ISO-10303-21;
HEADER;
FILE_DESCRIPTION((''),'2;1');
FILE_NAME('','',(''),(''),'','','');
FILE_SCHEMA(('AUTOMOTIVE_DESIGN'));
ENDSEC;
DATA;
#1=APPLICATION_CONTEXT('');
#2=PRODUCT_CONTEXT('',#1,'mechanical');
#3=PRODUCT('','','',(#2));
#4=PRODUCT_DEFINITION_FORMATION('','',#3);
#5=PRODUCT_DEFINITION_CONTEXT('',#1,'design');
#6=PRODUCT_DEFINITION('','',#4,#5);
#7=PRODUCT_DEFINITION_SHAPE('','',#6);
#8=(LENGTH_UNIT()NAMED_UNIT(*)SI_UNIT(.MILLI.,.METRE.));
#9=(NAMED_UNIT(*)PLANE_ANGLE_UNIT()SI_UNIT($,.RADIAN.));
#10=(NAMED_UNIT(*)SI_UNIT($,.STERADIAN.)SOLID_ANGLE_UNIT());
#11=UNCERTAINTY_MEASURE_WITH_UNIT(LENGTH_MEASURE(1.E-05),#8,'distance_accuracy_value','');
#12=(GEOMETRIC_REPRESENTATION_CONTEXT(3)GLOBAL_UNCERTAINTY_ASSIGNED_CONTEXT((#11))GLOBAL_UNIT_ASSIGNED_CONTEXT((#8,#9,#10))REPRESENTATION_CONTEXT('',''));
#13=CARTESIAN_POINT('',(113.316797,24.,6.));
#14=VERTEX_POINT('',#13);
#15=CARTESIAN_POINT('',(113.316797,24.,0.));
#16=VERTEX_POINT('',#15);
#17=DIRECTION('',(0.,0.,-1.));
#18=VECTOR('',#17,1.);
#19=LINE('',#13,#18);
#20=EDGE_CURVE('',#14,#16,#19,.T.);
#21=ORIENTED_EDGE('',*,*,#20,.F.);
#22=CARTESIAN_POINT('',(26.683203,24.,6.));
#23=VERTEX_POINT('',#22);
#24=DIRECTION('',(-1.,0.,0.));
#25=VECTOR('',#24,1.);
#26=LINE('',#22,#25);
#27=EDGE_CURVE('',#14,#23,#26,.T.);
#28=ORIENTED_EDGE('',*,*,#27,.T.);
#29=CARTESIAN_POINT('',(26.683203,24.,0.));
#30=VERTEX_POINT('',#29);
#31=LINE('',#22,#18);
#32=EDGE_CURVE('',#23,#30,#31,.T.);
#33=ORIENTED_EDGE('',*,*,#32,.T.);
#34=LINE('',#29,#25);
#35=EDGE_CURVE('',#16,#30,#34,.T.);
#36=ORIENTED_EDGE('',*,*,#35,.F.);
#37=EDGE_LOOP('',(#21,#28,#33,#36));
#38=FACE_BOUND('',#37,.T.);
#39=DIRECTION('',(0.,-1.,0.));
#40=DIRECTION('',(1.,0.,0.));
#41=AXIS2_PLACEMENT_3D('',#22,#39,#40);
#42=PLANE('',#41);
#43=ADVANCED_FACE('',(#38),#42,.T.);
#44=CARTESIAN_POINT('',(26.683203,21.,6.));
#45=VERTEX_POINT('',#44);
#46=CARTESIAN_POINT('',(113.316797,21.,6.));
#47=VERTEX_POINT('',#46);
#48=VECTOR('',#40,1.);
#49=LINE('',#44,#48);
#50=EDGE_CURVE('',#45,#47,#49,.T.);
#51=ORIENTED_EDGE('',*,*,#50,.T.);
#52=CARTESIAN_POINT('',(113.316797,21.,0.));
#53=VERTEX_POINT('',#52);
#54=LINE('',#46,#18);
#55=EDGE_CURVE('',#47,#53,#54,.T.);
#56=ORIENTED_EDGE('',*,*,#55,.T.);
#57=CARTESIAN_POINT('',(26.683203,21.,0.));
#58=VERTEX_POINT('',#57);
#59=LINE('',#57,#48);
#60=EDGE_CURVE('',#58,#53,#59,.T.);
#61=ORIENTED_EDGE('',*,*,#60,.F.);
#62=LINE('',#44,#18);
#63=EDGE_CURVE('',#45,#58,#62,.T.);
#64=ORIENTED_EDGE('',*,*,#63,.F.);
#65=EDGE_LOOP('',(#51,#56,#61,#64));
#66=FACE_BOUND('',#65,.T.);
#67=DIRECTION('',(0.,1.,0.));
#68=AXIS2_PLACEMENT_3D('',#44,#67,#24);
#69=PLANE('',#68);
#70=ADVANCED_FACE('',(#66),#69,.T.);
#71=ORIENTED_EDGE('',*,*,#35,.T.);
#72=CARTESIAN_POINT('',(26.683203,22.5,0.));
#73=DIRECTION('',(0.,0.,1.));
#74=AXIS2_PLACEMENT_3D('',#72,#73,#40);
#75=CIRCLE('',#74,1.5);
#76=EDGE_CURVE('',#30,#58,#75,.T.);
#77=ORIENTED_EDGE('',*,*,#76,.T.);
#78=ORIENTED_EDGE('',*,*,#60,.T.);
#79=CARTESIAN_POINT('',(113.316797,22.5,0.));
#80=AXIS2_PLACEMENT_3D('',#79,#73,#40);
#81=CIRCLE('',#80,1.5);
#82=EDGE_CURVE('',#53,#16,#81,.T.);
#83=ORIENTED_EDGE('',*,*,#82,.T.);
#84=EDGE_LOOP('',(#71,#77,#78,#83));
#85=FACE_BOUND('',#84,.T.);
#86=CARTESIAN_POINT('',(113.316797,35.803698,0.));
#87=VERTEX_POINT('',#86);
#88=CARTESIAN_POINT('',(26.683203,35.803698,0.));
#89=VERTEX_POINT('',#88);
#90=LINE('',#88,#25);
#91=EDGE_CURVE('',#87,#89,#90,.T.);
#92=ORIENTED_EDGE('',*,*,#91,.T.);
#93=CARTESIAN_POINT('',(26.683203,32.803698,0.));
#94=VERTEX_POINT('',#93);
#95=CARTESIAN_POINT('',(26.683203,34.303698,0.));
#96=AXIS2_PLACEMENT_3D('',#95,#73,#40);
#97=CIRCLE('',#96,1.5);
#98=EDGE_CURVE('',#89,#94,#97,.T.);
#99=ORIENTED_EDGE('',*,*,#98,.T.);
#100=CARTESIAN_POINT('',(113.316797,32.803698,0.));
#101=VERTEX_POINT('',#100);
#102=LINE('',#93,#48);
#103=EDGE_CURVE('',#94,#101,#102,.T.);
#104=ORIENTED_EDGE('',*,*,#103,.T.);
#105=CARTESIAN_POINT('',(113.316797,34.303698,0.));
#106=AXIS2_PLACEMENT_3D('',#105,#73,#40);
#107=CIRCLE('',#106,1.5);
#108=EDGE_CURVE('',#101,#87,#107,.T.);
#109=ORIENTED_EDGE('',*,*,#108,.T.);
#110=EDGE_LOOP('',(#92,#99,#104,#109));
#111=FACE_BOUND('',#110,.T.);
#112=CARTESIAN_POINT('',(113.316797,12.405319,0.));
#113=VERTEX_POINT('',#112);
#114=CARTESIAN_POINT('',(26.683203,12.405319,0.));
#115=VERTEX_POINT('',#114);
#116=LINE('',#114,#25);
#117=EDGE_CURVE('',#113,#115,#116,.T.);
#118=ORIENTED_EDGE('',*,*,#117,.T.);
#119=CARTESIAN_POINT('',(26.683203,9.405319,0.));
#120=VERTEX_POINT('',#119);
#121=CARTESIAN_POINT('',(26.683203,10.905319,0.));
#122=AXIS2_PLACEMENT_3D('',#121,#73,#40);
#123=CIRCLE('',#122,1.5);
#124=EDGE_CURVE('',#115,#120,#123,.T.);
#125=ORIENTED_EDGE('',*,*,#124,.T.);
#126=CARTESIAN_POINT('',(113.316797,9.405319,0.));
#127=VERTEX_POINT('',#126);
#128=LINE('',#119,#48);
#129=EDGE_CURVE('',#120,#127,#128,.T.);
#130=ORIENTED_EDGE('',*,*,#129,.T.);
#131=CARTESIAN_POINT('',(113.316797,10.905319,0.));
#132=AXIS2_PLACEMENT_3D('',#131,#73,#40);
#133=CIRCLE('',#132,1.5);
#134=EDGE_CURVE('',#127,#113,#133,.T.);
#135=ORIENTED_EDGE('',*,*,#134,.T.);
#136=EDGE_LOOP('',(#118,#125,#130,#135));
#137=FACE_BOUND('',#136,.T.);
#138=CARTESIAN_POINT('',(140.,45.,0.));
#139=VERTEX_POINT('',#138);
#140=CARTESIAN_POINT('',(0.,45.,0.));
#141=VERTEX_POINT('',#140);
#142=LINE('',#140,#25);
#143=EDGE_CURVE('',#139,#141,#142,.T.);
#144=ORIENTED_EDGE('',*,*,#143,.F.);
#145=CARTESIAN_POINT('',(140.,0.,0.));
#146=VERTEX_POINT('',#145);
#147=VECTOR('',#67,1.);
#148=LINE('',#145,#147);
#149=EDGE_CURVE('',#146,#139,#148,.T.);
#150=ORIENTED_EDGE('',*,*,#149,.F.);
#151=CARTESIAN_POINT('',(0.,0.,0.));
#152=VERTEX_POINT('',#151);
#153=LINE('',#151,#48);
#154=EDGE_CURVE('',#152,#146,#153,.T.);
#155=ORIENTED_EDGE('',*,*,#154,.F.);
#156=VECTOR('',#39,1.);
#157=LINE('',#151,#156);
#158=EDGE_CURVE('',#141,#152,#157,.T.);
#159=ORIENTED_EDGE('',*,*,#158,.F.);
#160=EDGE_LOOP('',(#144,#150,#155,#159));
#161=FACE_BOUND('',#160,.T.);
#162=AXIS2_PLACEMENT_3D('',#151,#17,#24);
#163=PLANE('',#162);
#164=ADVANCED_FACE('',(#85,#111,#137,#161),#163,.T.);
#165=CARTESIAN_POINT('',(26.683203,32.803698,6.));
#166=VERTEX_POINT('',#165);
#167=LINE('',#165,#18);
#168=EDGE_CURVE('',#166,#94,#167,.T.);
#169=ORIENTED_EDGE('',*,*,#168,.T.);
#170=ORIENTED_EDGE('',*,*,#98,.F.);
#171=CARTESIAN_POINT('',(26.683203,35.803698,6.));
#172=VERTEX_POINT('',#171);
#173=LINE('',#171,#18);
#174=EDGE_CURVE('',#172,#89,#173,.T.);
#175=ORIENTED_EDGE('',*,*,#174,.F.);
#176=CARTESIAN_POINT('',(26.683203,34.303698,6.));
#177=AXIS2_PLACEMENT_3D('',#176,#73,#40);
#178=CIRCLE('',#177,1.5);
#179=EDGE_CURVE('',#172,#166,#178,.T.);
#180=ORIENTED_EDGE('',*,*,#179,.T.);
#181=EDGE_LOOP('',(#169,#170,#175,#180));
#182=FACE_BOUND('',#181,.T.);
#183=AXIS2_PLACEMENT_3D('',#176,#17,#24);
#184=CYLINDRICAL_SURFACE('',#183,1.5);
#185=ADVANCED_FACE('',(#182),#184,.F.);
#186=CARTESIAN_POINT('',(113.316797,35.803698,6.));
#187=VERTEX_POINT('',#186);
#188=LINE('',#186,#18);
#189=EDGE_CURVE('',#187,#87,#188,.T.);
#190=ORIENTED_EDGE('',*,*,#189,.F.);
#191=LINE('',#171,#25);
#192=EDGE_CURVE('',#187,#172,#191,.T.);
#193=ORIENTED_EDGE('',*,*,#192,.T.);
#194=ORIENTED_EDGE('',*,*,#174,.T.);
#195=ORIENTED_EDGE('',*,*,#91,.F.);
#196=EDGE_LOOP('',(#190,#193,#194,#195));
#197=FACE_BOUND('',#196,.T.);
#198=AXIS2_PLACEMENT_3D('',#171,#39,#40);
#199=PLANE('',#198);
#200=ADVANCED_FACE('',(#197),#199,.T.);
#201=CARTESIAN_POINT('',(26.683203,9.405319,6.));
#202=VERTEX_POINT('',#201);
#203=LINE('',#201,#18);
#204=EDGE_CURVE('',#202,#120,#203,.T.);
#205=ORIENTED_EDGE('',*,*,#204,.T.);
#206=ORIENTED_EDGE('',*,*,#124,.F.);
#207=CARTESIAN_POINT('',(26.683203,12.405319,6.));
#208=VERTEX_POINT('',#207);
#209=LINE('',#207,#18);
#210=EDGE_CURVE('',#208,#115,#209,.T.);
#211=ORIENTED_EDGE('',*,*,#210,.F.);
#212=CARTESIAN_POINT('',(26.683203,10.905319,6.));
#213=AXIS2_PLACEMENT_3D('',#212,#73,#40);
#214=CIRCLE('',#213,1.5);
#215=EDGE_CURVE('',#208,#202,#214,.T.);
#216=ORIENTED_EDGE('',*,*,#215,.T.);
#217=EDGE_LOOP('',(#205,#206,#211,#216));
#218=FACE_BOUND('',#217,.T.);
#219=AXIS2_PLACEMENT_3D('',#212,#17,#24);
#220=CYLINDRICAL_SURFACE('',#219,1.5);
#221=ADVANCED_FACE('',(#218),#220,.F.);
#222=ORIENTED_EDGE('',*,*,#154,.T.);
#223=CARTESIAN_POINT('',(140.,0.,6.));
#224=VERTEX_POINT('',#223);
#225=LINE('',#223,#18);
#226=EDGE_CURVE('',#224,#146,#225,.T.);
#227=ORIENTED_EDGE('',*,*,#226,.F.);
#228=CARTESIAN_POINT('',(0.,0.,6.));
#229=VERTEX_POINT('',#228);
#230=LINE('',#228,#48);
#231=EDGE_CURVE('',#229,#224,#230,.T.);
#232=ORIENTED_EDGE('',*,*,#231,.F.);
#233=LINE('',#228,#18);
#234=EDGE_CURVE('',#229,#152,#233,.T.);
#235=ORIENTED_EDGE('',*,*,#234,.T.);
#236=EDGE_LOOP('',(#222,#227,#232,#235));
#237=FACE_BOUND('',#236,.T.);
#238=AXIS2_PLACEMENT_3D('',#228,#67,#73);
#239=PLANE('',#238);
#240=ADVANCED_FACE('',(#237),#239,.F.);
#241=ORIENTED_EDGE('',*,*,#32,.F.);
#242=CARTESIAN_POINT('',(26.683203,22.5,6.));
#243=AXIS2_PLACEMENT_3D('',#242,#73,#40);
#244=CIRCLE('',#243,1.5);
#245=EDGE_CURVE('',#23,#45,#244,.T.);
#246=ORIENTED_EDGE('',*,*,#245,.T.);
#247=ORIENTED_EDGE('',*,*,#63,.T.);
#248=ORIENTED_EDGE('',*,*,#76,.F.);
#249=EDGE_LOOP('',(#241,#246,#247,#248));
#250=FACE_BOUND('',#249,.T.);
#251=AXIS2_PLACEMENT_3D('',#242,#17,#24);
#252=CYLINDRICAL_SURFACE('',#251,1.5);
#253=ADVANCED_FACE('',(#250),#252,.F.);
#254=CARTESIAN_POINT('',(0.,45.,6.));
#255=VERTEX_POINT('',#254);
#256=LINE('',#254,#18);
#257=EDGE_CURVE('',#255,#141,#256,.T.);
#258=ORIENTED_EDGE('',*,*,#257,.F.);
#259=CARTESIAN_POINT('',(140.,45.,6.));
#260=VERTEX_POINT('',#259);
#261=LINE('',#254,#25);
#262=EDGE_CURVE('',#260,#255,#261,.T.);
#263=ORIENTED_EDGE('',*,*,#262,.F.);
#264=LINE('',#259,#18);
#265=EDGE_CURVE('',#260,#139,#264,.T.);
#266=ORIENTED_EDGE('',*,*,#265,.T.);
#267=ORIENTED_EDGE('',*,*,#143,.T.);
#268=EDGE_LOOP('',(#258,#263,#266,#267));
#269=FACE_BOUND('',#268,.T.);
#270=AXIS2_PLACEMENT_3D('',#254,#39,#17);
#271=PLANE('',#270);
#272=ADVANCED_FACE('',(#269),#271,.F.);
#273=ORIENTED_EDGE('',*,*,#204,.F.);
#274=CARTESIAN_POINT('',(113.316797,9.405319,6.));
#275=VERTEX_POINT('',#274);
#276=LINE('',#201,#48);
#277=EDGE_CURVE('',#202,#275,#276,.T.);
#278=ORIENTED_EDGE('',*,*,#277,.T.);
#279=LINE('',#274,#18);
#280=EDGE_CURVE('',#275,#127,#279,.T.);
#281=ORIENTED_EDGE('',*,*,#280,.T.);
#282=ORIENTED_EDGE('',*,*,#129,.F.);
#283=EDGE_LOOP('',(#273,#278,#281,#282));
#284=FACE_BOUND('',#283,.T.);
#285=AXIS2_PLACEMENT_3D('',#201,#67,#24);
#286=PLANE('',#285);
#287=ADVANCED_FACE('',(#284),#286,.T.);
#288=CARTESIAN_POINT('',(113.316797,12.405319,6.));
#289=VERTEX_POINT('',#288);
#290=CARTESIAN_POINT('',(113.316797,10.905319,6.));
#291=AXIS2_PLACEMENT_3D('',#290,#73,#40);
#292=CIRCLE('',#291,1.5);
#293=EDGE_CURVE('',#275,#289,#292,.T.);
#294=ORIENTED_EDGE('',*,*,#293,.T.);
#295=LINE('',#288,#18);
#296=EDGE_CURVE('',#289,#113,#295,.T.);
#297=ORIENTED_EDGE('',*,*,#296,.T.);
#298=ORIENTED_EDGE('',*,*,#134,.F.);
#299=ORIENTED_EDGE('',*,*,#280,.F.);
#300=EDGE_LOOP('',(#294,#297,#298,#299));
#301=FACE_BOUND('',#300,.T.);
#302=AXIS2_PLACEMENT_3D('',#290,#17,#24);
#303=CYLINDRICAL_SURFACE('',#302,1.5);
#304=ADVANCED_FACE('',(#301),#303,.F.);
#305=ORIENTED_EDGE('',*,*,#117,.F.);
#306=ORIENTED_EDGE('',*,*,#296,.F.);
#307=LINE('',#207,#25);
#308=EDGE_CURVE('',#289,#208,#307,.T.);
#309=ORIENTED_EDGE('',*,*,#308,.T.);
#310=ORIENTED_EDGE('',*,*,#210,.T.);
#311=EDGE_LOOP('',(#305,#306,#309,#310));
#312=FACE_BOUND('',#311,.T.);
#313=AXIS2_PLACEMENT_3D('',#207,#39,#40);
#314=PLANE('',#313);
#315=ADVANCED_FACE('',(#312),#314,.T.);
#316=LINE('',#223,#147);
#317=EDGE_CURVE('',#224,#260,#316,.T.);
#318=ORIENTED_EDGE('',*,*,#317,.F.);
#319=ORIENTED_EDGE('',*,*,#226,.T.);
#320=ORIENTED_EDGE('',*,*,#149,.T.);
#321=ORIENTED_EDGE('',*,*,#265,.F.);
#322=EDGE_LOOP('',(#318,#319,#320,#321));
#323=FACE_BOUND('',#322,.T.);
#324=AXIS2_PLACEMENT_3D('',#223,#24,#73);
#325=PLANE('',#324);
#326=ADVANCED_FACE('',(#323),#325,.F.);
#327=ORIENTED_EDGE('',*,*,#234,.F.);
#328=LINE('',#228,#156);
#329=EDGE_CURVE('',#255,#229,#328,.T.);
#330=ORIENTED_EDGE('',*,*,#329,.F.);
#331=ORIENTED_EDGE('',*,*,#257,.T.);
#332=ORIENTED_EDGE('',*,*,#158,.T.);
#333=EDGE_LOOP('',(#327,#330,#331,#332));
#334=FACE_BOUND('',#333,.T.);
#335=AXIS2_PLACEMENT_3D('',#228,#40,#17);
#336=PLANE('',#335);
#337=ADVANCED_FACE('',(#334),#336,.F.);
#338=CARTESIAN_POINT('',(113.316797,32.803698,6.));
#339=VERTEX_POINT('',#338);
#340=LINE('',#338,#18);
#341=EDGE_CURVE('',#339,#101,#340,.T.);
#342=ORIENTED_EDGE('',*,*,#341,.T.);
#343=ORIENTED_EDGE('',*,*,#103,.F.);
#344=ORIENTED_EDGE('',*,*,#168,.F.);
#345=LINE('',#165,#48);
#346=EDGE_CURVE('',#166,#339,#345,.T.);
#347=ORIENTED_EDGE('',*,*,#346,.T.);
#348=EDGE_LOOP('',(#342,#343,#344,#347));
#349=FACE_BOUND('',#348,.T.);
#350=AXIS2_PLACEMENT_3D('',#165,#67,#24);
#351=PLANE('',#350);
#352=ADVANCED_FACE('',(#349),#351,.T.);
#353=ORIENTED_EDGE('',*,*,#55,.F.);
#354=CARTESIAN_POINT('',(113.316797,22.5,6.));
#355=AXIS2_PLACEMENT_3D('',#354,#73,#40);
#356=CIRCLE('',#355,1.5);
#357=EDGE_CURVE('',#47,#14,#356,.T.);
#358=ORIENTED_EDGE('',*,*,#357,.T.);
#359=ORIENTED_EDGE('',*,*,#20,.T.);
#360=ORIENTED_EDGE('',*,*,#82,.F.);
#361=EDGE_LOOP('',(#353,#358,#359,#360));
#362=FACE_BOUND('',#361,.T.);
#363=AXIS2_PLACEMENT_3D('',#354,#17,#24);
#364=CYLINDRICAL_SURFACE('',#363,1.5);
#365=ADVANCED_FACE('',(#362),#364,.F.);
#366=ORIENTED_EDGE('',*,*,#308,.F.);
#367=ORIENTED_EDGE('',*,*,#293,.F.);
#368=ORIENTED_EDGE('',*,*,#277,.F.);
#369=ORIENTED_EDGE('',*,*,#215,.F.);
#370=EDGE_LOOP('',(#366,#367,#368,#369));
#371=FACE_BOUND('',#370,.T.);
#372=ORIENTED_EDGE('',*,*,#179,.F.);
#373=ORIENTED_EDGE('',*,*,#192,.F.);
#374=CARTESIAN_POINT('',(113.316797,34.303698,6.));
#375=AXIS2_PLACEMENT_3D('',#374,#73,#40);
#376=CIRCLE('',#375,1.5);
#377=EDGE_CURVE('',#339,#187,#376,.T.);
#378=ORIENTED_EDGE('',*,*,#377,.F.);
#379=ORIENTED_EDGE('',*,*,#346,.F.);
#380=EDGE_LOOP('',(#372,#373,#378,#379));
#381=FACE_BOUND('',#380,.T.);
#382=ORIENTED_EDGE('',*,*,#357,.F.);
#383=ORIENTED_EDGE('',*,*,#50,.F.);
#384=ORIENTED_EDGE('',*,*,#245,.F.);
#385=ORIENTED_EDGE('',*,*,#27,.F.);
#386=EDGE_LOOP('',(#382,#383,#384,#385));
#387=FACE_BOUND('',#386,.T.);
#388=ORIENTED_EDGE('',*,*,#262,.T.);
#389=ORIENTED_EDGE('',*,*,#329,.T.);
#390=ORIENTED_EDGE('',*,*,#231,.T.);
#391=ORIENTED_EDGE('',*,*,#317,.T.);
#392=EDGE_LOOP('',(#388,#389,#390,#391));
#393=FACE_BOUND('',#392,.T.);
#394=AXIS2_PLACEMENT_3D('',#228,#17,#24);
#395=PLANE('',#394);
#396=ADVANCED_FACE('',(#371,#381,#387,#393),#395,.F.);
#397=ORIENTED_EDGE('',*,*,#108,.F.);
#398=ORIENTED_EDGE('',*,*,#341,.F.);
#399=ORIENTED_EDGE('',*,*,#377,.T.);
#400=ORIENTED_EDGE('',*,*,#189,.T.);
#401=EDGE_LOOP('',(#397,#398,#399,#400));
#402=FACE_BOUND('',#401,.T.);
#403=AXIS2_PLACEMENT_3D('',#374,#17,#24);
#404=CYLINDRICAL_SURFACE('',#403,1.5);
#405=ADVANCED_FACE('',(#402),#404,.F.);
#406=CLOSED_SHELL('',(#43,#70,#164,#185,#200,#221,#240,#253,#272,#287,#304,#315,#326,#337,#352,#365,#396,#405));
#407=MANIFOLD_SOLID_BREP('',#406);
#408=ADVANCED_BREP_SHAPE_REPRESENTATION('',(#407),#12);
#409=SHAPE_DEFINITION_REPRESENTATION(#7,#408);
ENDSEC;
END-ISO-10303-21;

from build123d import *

# Parameters (mm, degrees)
SKETCH1_W           = 140
SKETCH1_H           = 45
BOSS_EXTRUDE1_DEPTH = 6


with BuildPart() as part:
    # Sketch1 → Boss-Extrude1 (new body)
    with BuildSketch(Plane.XY):
        with Locations((70, 22.5)):
            Rectangle(SKETCH1_W, SKETCH1_H)
        with BuildLine():
            Line((26.683203231, 24), (113.316796769, 24))
            ThreePointArc((113.316796769, 24), (114.816796769, 22.5), (113.316796769, 21))
            Line((113.316796769, 21), (26.683203231, 21))
            ThreePointArc((26.683203231, 21), (25.183203231, 22.5), (26.683203231, 24))
        make_face(mode=Mode.SUBTRACT)
        with BuildLine():
            Line((26.683203231, 35.803698148), (113.316796769, 35.803698148))
            ThreePointArc((113.316796769, 35.803698148), (114.816796769, 34.303698148), (113.316796769, 32.803698148))
            Line((113.316796769, 32.803698148), (26.683203231, 32.803698148))
            ThreePointArc((26.683203231, 32.803698148), (25.183203231, 34.303698148), (26.683203231, 35.803698148))
        make_face(mode=Mode.SUBTRACT)
        with BuildLine():
            Line((26.683203231, 12.405318703), (113.316796769, 12.405318703))
            ThreePointArc((113.316796769, 12.405318703), (114.816796769, 10.905318703), (113.316796769, 9.405318703))
            Line((113.316796769, 9.405318703), (26.683203231, 9.405318703))
            ThreePointArc((26.683203231, 9.405318703), (25.183203231, 10.905318703), (26.683203231, 12.405318703))
        make_face(mode=Mode.SUBTRACT)
    extrude(amount=BOSS_EXTRUDE1_DEPTH)


solid = part.part
